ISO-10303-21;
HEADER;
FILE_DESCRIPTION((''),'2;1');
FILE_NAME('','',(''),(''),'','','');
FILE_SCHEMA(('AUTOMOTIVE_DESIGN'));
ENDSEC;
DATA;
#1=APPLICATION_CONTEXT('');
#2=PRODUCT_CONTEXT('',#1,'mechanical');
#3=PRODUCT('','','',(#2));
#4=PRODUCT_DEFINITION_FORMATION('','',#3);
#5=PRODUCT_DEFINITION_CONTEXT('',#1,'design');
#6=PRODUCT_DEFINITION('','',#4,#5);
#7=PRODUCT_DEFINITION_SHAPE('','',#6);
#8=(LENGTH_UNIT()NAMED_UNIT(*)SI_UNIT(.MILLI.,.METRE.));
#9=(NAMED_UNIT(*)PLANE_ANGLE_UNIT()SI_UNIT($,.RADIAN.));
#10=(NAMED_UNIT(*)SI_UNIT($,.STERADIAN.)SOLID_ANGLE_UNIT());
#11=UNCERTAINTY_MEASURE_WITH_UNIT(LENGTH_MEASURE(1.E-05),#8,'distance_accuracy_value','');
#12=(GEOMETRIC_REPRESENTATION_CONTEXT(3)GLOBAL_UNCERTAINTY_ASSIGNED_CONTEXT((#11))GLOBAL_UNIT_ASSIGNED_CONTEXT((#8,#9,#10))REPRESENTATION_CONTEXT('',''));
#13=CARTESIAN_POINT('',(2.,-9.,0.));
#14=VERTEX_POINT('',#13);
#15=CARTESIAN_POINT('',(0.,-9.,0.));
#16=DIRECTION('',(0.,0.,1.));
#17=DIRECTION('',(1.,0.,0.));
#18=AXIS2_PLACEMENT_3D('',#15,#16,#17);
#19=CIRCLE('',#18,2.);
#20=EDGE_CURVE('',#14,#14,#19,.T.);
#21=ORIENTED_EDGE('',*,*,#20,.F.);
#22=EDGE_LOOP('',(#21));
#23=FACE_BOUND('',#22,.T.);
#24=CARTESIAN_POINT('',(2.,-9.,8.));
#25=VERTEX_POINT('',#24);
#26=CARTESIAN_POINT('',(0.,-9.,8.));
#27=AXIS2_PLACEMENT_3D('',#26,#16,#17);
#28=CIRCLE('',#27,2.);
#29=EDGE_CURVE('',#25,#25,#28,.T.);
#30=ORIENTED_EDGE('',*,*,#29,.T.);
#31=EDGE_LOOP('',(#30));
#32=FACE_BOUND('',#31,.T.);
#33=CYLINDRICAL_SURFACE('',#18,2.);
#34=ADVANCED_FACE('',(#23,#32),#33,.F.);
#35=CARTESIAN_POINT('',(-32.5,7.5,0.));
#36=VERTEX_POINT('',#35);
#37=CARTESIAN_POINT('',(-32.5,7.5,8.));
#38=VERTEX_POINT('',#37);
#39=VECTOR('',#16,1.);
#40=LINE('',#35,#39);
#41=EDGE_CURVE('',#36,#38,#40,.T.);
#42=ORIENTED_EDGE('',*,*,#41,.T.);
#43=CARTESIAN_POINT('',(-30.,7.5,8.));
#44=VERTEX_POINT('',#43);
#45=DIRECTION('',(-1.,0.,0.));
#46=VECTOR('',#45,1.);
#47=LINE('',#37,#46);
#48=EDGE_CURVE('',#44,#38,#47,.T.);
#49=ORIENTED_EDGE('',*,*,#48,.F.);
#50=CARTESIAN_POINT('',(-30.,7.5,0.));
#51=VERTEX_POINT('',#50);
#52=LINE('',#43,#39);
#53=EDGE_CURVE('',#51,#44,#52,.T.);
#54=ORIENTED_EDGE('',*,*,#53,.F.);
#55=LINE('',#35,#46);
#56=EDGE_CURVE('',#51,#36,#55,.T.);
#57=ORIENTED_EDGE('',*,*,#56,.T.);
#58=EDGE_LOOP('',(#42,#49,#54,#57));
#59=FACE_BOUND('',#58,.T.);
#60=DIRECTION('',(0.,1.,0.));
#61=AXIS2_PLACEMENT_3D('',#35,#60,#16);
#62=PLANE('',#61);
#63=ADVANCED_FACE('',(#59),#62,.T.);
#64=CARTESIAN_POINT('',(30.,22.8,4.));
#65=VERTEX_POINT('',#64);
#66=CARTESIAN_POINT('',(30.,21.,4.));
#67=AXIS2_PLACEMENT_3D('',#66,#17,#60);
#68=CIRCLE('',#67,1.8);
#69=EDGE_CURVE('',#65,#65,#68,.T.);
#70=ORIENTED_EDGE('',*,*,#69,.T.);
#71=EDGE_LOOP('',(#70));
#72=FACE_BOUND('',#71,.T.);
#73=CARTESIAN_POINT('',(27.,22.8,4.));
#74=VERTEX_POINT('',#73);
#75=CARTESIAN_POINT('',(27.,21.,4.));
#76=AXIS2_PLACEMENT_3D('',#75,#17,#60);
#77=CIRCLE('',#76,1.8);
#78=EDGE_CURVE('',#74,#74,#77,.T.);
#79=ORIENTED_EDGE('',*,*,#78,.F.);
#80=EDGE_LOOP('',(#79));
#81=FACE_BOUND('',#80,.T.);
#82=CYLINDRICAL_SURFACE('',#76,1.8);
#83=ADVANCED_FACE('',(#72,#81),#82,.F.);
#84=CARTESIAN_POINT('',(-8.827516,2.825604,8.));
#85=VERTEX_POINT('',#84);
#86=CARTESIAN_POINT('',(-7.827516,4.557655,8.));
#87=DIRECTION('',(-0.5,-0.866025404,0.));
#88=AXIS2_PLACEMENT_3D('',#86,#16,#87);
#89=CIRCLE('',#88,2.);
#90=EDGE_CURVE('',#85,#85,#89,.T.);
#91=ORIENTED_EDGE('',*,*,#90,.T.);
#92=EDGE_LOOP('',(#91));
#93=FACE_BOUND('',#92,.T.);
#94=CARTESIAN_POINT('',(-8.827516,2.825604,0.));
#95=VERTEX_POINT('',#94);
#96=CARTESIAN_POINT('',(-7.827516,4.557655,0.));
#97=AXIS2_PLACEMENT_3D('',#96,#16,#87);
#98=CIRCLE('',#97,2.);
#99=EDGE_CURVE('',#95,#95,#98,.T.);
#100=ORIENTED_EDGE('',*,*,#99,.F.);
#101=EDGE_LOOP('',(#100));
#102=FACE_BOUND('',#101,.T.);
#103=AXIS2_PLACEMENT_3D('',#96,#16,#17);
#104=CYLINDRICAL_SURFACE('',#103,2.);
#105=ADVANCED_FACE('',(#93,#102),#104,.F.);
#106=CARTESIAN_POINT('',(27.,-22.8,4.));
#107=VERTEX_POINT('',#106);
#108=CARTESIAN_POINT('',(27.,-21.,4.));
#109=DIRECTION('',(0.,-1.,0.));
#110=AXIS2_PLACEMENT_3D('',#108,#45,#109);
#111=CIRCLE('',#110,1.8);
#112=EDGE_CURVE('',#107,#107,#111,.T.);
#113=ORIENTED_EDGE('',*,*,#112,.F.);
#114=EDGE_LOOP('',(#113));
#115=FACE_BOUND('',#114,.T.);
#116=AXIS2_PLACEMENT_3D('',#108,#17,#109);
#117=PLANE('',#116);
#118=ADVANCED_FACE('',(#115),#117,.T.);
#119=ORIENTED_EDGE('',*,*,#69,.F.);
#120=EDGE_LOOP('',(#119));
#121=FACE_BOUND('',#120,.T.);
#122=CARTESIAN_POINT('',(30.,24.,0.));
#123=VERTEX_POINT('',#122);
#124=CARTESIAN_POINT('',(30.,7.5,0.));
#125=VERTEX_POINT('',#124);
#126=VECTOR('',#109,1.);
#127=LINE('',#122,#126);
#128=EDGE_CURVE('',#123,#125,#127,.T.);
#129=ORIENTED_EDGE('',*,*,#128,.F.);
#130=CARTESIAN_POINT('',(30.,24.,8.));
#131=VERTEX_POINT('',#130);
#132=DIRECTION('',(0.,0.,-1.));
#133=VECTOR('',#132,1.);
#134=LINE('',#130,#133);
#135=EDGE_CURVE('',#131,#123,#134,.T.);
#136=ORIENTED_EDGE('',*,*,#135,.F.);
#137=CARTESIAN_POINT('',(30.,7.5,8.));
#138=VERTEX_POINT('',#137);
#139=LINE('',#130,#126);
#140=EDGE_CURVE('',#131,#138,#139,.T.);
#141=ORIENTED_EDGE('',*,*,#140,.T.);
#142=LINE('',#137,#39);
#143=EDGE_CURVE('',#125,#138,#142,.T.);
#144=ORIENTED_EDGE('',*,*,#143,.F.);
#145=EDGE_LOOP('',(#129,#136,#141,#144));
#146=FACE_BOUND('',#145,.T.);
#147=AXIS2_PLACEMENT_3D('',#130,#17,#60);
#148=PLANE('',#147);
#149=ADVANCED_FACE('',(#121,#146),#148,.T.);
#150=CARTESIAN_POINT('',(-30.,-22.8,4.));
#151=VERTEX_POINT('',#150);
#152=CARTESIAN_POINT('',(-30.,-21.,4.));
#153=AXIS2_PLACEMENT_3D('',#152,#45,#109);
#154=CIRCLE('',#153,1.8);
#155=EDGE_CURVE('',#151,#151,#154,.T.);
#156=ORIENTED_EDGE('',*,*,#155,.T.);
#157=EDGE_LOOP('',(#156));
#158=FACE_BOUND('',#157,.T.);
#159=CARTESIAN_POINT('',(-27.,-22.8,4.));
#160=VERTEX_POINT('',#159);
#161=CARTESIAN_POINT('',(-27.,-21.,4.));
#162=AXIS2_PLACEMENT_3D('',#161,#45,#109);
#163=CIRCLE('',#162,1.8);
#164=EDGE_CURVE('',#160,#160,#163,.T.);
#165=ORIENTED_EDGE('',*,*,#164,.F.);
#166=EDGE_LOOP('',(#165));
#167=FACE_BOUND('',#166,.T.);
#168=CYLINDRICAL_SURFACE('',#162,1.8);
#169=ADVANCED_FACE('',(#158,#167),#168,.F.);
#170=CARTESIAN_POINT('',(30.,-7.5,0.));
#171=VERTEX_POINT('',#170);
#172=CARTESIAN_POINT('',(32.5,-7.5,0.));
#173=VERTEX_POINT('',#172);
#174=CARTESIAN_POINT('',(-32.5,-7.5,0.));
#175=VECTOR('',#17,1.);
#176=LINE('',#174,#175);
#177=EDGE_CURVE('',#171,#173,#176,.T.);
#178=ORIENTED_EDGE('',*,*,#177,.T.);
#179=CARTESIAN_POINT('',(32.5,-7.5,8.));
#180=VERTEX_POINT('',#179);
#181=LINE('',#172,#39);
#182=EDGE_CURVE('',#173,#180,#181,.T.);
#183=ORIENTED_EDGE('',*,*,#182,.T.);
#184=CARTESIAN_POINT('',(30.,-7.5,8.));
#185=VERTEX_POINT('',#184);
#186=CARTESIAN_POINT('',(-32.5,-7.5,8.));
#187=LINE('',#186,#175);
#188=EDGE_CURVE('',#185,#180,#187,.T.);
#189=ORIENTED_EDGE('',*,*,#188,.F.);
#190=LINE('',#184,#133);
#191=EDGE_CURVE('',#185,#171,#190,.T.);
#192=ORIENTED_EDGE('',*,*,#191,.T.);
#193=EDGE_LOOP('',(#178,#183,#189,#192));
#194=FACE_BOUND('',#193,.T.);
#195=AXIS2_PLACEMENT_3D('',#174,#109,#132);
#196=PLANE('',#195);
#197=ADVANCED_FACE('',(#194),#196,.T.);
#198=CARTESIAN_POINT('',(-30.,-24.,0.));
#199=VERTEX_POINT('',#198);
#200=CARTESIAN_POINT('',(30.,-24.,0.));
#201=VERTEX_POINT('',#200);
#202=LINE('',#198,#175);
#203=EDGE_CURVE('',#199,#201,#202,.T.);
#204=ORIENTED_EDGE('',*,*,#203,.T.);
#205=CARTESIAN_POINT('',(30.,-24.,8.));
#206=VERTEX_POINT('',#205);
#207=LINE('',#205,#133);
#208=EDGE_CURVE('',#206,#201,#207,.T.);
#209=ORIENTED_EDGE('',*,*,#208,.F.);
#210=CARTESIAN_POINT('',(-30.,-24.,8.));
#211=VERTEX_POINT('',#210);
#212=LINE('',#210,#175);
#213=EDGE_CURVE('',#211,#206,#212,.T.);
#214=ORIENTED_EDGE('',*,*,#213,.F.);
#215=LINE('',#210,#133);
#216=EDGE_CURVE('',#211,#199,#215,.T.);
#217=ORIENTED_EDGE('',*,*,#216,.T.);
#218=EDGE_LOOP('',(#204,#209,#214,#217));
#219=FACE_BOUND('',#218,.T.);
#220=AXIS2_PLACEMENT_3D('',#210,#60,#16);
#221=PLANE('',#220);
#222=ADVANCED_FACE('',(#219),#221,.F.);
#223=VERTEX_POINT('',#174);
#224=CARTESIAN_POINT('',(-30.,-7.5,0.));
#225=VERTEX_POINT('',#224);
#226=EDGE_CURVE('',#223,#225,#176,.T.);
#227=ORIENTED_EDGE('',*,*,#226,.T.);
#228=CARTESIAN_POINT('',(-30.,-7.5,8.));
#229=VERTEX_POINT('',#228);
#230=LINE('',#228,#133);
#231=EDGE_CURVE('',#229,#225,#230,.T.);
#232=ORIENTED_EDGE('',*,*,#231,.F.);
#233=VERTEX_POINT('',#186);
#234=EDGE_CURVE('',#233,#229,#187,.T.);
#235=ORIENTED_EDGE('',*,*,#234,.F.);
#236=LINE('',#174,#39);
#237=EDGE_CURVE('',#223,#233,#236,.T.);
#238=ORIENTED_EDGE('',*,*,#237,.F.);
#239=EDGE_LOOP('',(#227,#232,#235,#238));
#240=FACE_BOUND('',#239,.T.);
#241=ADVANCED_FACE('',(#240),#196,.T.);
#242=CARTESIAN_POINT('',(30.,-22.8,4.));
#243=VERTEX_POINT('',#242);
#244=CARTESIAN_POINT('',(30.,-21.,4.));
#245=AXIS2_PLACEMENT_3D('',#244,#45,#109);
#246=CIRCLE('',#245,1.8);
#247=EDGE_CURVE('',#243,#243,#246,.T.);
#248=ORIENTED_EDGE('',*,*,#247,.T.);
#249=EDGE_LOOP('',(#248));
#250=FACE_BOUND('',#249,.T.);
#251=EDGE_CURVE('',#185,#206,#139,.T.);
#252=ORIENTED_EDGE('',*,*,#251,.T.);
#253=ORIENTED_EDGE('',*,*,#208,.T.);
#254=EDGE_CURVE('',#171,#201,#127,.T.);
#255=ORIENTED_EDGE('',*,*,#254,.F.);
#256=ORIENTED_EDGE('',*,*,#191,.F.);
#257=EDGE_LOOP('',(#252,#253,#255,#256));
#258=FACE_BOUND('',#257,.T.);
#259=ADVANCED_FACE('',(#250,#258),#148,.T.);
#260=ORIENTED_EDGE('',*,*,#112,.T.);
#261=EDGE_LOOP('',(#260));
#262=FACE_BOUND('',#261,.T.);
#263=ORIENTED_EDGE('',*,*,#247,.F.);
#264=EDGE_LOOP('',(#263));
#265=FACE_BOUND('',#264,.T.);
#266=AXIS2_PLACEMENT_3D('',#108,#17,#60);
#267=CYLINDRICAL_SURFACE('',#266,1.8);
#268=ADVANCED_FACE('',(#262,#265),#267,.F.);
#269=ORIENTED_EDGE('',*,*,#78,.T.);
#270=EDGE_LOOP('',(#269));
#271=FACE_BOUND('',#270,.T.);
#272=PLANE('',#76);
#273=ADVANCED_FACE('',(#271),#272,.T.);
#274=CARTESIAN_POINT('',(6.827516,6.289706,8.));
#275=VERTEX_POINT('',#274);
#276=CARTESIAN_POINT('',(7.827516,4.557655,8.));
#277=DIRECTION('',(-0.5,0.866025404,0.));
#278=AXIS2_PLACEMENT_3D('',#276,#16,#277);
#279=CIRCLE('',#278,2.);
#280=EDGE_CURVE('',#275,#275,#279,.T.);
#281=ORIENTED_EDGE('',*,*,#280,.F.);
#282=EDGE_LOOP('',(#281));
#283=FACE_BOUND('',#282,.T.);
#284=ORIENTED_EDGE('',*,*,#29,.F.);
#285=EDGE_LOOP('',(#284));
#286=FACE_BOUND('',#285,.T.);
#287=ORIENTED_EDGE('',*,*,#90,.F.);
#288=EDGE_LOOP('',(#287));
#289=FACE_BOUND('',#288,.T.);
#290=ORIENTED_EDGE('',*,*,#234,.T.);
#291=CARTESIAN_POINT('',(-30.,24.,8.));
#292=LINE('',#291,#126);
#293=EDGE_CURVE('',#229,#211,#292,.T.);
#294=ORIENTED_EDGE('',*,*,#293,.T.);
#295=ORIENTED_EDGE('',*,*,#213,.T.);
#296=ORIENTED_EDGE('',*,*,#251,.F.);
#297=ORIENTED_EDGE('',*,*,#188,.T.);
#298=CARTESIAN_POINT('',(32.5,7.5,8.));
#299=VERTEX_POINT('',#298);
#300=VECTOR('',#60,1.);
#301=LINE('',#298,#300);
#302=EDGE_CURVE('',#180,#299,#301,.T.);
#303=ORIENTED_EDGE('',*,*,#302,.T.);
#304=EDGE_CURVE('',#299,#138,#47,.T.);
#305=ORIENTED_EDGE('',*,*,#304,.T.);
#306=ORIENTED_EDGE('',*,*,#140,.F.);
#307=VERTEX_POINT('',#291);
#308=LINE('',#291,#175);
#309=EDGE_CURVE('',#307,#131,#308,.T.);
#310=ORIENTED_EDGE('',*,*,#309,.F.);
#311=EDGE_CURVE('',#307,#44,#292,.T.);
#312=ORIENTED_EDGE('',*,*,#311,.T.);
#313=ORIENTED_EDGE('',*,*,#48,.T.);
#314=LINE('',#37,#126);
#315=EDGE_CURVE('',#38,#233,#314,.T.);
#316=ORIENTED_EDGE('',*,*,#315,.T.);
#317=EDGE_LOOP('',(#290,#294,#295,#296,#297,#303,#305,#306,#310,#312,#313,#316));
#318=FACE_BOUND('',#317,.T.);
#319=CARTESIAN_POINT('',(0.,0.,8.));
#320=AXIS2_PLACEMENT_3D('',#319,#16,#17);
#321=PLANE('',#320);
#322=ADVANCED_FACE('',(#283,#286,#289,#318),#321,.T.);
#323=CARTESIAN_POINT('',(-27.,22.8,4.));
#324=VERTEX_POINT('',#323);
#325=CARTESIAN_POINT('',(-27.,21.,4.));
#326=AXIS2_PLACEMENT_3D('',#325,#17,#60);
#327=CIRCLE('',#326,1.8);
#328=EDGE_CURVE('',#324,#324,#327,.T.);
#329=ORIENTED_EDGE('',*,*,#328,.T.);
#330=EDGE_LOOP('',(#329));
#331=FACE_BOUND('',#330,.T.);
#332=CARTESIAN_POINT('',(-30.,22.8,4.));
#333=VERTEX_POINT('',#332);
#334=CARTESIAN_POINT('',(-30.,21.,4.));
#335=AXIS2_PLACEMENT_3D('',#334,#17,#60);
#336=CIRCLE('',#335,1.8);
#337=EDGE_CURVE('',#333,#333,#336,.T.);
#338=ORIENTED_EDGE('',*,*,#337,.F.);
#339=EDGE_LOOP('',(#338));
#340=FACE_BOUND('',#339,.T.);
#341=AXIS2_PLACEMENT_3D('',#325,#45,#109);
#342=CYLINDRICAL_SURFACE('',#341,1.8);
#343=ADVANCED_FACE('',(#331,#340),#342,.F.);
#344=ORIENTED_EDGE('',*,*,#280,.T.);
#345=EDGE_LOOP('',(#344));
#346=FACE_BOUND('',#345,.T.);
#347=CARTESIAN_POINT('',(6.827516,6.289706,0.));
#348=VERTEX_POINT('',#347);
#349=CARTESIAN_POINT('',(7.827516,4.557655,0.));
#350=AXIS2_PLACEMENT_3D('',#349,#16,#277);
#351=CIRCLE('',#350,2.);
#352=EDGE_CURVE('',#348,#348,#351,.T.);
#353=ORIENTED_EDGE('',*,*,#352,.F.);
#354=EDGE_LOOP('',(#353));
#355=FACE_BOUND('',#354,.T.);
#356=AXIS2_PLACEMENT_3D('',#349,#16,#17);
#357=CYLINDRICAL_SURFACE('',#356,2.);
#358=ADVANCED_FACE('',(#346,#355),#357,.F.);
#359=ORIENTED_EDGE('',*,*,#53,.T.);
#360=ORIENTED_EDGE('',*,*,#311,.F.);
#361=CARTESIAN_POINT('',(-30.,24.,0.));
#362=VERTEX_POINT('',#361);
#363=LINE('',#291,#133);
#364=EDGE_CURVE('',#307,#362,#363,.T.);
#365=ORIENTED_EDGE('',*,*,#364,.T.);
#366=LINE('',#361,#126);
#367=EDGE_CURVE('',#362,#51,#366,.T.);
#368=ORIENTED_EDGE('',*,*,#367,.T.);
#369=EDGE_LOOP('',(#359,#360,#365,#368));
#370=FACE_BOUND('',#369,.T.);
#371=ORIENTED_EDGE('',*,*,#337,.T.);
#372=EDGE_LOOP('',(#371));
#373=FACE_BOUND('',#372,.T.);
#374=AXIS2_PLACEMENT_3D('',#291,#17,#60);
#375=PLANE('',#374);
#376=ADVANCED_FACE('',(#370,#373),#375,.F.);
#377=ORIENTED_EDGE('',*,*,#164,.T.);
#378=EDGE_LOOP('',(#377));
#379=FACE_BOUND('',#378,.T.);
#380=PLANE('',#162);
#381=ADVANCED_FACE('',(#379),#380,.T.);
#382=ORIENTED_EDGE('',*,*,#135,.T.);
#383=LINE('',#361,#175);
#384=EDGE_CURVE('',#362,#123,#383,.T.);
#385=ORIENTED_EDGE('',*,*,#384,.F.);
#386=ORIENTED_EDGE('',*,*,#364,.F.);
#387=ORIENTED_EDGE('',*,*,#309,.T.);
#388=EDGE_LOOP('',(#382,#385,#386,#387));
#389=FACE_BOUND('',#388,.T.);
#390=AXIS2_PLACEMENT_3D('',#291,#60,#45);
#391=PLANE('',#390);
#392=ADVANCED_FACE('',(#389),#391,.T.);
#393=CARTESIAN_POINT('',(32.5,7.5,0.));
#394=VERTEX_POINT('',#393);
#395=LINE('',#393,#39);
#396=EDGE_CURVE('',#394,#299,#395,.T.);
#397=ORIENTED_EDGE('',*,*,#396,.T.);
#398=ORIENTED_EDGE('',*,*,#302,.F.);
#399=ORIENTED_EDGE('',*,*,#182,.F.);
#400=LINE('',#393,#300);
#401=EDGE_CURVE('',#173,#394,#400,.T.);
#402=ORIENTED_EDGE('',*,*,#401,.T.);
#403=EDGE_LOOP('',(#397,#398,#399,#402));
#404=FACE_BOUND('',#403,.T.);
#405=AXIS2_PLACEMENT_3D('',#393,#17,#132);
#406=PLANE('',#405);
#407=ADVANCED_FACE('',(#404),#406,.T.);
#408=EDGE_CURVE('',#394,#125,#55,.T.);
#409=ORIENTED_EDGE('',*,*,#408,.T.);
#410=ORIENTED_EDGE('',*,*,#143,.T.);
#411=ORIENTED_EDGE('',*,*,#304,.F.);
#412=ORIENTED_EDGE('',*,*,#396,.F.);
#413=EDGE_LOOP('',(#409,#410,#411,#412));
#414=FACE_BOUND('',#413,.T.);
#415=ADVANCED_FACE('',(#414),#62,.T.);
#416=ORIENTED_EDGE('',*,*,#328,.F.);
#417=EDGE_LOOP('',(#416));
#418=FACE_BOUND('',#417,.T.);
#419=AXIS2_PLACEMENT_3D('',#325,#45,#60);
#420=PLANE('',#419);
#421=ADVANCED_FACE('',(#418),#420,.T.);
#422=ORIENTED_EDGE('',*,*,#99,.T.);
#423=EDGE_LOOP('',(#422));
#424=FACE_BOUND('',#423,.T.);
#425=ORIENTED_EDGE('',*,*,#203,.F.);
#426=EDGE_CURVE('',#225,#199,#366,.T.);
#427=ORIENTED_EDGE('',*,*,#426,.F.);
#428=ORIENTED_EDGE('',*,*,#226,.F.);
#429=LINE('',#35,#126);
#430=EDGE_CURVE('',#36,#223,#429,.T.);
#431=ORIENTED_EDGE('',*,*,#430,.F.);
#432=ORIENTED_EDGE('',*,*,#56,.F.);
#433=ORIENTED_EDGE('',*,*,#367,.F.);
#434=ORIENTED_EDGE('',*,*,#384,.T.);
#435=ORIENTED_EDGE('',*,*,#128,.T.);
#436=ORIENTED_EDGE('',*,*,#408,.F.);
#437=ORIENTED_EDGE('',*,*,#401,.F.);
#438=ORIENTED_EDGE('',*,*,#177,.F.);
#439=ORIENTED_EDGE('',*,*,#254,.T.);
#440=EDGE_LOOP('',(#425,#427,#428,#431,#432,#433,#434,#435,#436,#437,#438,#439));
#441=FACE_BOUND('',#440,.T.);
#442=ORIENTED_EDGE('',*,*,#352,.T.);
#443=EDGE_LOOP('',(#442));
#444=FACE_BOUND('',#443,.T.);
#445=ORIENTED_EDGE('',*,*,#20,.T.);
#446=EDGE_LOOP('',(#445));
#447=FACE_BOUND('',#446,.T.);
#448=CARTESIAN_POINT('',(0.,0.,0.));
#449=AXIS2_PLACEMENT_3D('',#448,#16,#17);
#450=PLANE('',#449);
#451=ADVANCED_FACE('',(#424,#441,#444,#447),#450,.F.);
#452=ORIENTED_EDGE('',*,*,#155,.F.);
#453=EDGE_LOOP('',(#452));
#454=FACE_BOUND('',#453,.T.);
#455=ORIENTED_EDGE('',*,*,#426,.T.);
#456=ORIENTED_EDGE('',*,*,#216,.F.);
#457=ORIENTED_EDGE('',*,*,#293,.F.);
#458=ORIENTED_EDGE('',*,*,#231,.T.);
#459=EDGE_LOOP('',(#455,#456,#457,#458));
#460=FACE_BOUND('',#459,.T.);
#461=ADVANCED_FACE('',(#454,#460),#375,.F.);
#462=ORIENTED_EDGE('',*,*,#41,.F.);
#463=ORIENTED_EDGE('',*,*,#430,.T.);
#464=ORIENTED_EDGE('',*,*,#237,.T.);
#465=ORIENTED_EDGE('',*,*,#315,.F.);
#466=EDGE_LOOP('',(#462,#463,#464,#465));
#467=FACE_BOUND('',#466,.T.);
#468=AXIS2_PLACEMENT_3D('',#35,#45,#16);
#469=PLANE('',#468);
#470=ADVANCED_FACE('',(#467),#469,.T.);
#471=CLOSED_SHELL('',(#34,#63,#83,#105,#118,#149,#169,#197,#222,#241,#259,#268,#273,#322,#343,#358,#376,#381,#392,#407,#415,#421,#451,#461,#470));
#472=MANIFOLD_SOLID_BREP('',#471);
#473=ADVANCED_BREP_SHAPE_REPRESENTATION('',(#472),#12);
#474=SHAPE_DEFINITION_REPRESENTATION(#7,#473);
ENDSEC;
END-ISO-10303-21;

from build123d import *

# Parameters (mm, degrees)
SKETCH_1_W               = 60
SKETCH_1_H               = 48
EXTRUDE_1_DEPTH          = 8
SKETCH_2_W               = 65
SKETCH_2_H               = 15
EXTRUDE_2_DEPTH          = 8
SKETCH_3_R               = 2
CUT_EXTRUDE_1_DEPTH      = 8
PATTERN_CIRCULAR_1_COUNT = 3
SKETCH_4_R               = 1.8
CUT_EXTRUDE_2_DEPTH      = 3
MIRROR_2_COPY_1_SKETCH_R = 1.8
MIRROR_2_COPY_1_DEPTH    = 3


with BuildPart() as part:
    # 草图1 → 凸台-拉伸1 (new body)
    with BuildSketch(Plane.XY):
        Rectangle(SKETCH_1_W, SKETCH_1_H)
    extrude(amount=EXTRUDE_1_DEPTH)

    # 草图2 → 凸台-拉伸2 (add)
    with BuildSketch(Plane.XY.offset(8)):
        Rectangle(SKETCH_2_W, SKETCH_2_H)
    extrude(amount=-EXTRUDE_2_DEPTH)

    # 草图3 → 切除-拉伸1 (cut)
    with BuildSketch(Plane.XY.offset(8)):
        with Locations((0, -9)):
            Circle(SKETCH_3_R)
    cut_extrude_1 = extrude(amount=-CUT_EXTRUDE_1_DEPTH, mode=Mode.SUBTRACT)

    # 阵列(圆周)1: 切除-拉伸1 ×3 about axis
    pattern_circular_1_axis = Axis((0, 0.038436665, 0), (0, 0, 1))
    for i in range(1, PATTERN_CIRCULAR_1_COUNT):
        add(cut_extrude_1.rotate(pattern_circular_1_axis, i * 360 / PATTERN_CIRCULAR_1_COUNT), mode=Mode.SUBTRACT)

    # 草图4 → 切除-拉伸2 (cut)
    with BuildSketch(Plane(origin=(30, 0, 0), x_dir=(0, 0, -1), z_dir=(1, 0, 0))):
        with Locations(Location((-4, 21, 0), (0, 0, 90))):
            Circle(SKETCH_4_R)
    cut_extrude_2 = extrude(amount=-CUT_EXTRUDE_2_DEPTH, mode=Mode.SUBTRACT)

    # 镜向1: 切除-拉伸2 across plane
    add(cut_extrude_2.mirror(Plane.ZX), mode=Mode.SUBTRACT)

    # 镜向2: 切除-拉伸2 across plane
    add(cut_extrude_2.mirror(Plane(origin=(0, 0, 0), x_dir=(0, 0, 1), z_dir=(1, 0, 0))), mode=Mode.SUBTRACT)

    # 镜向2 copy 1 sketch → 镜向2 copy 1 (cut)
    with BuildSketch(Plane(origin=(-30, 0, 0), x_dir=(0, 0, -1), z_dir=(-1, 0, 0))):
        with Locations(Location((-4, 21, 0), (0, 0, 90))):
            Circle(MIRROR_2_COPY_1_SKETCH_R)
    extrude(amount=-MIRROR_2_COPY_1_DEPTH, mode=Mode.SUBTRACT)


solid = part.part
